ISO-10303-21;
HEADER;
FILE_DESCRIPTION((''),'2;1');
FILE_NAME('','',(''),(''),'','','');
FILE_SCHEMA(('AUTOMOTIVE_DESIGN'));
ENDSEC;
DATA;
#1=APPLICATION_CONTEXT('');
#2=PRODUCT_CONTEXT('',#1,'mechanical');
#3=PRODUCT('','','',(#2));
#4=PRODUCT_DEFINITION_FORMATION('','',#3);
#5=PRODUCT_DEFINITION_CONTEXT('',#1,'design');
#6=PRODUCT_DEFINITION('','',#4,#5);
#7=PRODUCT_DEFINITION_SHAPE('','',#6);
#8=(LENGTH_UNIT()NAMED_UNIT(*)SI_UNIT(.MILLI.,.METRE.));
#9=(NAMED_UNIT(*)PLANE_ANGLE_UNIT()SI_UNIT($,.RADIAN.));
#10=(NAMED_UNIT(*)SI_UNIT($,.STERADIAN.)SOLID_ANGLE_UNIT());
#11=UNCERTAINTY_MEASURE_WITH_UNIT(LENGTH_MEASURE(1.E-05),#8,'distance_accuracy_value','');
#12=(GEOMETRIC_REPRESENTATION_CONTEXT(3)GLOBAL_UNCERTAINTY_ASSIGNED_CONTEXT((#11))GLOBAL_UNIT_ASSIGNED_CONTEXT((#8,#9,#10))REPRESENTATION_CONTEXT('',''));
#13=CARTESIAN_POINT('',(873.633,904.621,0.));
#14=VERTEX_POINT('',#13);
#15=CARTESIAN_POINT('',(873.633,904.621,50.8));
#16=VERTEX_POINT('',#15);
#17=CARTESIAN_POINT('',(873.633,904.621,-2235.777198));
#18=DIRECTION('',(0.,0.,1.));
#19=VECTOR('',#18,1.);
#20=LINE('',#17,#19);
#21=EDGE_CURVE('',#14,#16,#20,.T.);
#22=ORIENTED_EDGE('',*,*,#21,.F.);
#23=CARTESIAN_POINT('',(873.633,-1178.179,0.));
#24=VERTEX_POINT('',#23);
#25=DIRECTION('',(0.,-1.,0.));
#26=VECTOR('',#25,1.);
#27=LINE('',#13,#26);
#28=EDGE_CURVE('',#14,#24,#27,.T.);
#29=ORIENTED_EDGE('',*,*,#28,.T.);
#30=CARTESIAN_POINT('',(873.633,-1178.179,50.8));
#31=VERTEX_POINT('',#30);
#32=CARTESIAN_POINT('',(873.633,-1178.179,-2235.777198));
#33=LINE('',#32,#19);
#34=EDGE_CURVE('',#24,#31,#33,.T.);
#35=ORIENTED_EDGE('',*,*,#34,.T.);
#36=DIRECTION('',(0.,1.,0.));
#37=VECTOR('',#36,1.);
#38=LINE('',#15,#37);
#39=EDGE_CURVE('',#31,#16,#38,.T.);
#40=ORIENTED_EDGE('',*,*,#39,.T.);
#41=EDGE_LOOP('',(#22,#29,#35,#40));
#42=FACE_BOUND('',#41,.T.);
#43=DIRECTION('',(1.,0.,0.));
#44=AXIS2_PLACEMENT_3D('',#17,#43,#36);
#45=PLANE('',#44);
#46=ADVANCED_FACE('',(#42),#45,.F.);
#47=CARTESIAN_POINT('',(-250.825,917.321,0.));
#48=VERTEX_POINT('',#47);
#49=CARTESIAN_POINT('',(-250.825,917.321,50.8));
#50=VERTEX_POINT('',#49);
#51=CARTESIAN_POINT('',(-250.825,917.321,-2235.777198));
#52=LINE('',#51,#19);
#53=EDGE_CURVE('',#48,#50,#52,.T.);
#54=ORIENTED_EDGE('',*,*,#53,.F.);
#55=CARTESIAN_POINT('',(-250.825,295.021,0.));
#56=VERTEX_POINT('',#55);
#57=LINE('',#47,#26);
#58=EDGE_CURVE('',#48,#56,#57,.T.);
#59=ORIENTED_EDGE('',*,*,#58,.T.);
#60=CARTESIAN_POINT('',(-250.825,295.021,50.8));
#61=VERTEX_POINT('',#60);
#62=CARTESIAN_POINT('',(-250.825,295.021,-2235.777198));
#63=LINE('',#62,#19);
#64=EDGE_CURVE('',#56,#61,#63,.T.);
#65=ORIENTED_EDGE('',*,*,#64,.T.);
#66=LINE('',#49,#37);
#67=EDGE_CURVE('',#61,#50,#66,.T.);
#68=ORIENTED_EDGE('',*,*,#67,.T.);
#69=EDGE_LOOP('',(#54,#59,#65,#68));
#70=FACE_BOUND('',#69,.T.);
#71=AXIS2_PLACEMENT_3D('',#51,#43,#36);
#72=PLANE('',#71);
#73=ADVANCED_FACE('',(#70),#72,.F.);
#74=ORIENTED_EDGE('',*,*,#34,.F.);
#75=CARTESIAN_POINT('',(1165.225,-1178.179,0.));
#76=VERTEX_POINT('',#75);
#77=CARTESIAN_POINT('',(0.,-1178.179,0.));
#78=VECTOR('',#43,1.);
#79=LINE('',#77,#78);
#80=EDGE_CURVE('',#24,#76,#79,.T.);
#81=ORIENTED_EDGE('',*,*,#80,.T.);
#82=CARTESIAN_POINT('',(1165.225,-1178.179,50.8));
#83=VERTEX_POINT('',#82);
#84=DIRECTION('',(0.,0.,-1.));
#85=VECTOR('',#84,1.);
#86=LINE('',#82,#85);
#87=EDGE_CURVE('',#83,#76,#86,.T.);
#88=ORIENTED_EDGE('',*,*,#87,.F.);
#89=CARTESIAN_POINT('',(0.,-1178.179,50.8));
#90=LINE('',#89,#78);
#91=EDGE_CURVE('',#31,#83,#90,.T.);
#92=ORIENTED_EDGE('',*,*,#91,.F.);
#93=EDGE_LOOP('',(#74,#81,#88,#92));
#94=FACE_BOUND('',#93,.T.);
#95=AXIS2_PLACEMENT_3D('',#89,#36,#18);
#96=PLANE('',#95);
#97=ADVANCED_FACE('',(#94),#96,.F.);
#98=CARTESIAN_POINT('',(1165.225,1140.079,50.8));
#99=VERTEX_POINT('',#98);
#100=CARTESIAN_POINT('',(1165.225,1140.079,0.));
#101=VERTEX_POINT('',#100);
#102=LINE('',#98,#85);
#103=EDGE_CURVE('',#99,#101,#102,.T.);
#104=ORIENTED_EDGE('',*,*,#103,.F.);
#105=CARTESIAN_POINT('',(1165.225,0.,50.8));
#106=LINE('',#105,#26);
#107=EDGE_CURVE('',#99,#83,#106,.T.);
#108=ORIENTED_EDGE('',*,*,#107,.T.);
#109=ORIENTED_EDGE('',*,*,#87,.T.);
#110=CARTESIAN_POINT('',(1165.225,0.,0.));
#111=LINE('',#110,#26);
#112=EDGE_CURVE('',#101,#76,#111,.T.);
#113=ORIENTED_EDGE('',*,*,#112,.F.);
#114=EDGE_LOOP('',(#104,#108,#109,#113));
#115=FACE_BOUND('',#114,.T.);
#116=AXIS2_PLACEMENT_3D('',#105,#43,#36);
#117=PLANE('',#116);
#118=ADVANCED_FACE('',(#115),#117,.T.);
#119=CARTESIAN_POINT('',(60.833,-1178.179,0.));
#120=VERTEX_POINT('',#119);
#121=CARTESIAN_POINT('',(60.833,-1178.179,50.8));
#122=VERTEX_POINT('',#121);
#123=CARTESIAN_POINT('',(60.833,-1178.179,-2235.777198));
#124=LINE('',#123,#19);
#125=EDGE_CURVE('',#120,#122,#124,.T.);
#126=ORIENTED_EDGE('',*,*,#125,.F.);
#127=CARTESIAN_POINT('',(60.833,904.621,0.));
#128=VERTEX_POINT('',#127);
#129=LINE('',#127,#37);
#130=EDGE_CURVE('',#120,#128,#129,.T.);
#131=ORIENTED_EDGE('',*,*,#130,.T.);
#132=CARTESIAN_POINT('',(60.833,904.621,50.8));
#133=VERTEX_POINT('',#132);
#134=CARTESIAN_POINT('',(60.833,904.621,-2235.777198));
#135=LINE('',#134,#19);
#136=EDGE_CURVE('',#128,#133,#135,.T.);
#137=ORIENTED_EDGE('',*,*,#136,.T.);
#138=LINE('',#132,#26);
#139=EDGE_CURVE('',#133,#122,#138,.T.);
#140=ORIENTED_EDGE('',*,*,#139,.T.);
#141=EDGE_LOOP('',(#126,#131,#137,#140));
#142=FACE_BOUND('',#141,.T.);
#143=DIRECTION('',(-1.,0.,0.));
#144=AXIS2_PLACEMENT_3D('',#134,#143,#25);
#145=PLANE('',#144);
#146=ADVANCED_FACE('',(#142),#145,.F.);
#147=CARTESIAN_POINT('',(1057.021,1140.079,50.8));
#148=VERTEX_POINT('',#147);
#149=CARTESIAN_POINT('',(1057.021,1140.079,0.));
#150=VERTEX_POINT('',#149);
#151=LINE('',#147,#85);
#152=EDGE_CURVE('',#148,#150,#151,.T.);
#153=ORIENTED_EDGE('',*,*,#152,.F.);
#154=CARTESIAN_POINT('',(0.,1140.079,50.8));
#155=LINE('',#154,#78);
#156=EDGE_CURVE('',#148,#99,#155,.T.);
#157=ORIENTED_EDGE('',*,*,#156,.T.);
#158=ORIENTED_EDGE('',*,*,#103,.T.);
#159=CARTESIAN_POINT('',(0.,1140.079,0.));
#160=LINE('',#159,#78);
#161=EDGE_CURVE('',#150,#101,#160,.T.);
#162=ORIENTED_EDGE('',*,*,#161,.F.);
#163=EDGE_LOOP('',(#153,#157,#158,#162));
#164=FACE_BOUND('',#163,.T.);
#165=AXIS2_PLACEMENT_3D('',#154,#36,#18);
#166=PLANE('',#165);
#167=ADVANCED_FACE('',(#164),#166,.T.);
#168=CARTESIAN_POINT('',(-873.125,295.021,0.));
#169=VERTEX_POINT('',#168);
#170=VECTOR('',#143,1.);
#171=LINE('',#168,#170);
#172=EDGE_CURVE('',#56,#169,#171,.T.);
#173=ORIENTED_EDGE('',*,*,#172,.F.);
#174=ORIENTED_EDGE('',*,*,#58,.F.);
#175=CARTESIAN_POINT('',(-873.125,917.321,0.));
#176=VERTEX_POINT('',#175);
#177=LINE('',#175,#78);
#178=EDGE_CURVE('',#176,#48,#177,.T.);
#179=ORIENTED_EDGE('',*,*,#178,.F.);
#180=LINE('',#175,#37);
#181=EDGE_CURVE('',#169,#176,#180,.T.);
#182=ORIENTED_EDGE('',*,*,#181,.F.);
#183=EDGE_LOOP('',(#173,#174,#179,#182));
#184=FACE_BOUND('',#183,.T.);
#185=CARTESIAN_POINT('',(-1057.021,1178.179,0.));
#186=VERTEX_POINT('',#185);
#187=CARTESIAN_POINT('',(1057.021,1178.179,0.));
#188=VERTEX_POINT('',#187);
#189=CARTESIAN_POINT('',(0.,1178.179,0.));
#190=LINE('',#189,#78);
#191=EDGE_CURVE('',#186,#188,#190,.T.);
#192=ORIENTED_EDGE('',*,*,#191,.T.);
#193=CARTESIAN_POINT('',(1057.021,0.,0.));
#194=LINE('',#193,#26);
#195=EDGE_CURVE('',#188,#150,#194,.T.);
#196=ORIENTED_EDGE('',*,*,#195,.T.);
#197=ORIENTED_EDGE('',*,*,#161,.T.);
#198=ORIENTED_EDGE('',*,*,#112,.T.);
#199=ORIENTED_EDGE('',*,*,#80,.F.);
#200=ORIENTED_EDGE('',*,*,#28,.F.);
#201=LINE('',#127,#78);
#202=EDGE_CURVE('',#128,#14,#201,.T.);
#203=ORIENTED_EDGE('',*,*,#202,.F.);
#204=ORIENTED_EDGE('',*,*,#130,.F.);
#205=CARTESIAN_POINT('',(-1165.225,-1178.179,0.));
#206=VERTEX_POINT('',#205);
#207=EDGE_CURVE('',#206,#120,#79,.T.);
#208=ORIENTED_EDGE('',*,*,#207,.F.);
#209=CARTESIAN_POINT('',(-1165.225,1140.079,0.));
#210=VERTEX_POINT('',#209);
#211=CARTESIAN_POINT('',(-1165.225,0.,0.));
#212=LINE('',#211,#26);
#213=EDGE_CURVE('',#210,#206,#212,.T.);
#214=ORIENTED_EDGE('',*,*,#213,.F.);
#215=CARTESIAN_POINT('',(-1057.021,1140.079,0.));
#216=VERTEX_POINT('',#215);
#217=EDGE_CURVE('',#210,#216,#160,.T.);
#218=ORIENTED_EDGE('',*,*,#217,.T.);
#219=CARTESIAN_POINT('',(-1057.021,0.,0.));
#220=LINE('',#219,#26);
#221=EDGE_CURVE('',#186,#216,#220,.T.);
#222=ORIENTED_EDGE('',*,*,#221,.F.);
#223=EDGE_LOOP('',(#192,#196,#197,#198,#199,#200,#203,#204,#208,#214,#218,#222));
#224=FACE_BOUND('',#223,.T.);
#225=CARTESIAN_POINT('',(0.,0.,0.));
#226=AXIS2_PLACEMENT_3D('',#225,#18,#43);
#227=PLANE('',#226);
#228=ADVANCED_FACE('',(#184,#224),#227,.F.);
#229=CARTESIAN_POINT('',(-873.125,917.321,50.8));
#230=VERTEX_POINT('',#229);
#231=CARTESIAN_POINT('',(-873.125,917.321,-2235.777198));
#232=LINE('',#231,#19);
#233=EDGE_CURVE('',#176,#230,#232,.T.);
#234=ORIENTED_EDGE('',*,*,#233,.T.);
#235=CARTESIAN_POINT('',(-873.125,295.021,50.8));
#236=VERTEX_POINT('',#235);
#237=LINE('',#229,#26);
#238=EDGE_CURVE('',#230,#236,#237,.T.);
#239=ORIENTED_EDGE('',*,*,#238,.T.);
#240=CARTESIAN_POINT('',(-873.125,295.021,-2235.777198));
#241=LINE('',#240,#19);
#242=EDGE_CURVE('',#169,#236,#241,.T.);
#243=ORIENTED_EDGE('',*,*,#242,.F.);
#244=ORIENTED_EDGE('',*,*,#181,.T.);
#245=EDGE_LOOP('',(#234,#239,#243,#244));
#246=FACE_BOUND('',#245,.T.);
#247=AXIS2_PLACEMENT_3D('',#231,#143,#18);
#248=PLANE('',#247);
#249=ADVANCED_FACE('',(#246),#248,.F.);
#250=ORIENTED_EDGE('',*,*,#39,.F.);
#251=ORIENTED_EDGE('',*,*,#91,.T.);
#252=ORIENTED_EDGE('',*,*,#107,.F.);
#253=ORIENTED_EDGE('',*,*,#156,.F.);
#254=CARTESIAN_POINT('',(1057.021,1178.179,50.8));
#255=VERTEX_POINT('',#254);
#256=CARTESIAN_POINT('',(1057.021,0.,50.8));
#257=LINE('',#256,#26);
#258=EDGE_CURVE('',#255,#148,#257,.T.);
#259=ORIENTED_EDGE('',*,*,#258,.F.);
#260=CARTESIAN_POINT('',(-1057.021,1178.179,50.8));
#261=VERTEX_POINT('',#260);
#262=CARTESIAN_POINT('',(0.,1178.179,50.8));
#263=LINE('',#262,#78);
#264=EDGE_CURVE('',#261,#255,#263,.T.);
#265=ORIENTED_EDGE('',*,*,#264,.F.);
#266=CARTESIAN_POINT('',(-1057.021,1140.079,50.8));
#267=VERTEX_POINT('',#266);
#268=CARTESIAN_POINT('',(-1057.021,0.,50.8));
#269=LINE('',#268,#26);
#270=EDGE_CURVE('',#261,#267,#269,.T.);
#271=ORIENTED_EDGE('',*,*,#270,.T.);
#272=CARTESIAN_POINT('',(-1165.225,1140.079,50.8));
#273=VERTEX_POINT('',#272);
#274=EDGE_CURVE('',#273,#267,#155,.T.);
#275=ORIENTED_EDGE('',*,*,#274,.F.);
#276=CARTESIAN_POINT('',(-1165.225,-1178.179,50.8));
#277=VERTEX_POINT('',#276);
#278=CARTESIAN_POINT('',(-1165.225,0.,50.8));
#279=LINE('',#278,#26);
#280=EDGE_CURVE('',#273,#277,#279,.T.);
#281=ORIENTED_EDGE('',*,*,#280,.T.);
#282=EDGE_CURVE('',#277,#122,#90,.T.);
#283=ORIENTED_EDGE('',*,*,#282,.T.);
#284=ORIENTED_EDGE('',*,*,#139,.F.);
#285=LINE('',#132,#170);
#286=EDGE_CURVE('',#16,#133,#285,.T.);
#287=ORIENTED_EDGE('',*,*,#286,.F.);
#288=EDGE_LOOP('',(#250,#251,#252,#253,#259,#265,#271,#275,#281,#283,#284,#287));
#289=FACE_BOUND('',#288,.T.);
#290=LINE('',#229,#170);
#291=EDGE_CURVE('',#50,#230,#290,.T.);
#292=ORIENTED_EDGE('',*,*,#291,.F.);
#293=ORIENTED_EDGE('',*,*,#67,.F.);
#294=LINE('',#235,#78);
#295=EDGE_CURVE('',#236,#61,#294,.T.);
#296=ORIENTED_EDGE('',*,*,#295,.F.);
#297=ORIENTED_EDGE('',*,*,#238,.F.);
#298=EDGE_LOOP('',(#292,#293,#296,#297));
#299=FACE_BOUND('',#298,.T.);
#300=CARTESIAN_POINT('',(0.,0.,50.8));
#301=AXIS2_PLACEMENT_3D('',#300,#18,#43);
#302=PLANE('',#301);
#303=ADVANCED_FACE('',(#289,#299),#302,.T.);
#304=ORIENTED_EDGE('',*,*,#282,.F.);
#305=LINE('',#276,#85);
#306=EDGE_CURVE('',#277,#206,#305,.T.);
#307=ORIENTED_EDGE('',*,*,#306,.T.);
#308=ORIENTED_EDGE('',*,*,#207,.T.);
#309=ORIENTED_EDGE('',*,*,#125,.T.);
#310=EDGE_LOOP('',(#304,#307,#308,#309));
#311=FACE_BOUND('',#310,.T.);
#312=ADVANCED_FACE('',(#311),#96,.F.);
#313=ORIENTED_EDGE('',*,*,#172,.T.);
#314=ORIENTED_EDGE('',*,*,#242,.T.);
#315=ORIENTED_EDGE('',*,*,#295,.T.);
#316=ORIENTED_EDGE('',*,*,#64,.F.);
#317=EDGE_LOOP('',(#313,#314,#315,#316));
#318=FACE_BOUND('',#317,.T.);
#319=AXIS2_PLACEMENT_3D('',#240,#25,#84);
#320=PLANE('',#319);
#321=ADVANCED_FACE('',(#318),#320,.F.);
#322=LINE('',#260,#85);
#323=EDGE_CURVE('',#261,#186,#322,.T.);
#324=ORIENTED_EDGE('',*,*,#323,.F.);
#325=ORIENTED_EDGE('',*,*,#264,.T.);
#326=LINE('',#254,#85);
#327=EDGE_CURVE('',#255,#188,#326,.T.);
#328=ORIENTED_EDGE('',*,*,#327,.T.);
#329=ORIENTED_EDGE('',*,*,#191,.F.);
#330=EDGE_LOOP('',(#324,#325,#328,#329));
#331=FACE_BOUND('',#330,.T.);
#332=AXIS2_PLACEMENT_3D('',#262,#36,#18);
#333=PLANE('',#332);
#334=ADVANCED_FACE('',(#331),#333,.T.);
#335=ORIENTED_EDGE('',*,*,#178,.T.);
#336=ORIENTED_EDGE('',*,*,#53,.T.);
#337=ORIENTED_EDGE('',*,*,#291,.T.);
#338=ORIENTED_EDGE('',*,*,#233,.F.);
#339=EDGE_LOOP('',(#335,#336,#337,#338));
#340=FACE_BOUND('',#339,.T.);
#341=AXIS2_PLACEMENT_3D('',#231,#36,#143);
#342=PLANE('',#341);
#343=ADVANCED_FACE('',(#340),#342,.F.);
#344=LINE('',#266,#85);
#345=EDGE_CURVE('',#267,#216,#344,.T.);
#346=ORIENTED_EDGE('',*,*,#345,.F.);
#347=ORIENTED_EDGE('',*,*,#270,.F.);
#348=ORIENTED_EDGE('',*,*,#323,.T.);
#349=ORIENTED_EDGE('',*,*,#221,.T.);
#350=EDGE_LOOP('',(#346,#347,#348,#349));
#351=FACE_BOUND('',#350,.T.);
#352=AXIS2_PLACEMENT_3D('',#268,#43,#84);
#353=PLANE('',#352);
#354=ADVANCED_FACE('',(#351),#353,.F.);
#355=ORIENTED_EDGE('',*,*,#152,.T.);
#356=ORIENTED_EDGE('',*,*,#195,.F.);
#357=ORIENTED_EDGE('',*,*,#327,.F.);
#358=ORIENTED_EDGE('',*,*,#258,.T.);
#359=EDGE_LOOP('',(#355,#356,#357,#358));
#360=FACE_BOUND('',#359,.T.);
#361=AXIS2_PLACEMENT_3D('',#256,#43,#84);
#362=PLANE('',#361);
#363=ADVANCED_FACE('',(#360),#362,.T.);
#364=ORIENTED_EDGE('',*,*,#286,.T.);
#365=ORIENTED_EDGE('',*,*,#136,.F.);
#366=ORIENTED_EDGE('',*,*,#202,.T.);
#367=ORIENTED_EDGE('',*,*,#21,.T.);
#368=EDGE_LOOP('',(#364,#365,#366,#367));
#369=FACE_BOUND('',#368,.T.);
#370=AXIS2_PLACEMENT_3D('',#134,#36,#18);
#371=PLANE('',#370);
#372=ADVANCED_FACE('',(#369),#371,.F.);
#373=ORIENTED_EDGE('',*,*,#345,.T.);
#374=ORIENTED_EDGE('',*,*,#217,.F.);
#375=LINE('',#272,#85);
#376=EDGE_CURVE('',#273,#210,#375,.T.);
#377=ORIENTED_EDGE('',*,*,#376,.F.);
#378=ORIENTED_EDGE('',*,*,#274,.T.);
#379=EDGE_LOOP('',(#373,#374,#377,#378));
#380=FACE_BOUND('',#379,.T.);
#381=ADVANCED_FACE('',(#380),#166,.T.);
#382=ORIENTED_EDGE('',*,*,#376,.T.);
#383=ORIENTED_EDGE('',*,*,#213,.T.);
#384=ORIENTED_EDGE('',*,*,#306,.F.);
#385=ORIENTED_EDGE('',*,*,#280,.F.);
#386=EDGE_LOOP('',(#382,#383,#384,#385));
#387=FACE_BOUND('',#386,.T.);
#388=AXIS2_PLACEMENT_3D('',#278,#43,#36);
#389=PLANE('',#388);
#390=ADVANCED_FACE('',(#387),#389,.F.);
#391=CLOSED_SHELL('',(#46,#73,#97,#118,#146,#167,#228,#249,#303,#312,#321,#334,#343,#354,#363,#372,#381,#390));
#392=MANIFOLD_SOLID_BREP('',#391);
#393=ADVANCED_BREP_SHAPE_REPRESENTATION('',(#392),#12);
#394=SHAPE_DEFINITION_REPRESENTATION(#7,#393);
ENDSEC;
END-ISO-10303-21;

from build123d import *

# Parameters (mm, degrees)
BOSS_EXTRUDE1_DEPTH = 50.8
SKETCH2_W           = 622.3
SKETCH2_H           = 622.3
SKETCH2_W_2         = 812.8
SKETCH2_H_2         = 2082.8
CUT_EXTRUDE1_DEPTH  = 50.8


with BuildPart() as part:
    # Sketch1 → Boss-Extrude1 (new body)
    with BuildSketch(Plane.XY):
        Polygon((1057.021, 1178.179), (-1057.021, 1178.179), (-1057.021, 1140.079), (-1165.225, 1140.079), (-1165.225, -1178.179), (1165.225, -1178.179), (1165.225, 1140.079), (1057.021, 1140.079), align=None)
    extrude(amount=BOSS_EXTRUDE1_DEPTH)

    # Sketch2 → Cut-Extrude1 (cut)
    with BuildSketch(Plane.XY.offset(50.8)):
        with Locations((-561.975, 606.171)):
            Rectangle(SKETCH2_W, SKETCH2_H)
        with Locations((467.233, -136.779)):
            Rectangle(SKETCH2_W_2, SKETCH2_H_2)
    extrude(amount=-CUT_EXTRUDE1_DEPTH, mode=Mode.SUBTRACT)


solid = part.part
